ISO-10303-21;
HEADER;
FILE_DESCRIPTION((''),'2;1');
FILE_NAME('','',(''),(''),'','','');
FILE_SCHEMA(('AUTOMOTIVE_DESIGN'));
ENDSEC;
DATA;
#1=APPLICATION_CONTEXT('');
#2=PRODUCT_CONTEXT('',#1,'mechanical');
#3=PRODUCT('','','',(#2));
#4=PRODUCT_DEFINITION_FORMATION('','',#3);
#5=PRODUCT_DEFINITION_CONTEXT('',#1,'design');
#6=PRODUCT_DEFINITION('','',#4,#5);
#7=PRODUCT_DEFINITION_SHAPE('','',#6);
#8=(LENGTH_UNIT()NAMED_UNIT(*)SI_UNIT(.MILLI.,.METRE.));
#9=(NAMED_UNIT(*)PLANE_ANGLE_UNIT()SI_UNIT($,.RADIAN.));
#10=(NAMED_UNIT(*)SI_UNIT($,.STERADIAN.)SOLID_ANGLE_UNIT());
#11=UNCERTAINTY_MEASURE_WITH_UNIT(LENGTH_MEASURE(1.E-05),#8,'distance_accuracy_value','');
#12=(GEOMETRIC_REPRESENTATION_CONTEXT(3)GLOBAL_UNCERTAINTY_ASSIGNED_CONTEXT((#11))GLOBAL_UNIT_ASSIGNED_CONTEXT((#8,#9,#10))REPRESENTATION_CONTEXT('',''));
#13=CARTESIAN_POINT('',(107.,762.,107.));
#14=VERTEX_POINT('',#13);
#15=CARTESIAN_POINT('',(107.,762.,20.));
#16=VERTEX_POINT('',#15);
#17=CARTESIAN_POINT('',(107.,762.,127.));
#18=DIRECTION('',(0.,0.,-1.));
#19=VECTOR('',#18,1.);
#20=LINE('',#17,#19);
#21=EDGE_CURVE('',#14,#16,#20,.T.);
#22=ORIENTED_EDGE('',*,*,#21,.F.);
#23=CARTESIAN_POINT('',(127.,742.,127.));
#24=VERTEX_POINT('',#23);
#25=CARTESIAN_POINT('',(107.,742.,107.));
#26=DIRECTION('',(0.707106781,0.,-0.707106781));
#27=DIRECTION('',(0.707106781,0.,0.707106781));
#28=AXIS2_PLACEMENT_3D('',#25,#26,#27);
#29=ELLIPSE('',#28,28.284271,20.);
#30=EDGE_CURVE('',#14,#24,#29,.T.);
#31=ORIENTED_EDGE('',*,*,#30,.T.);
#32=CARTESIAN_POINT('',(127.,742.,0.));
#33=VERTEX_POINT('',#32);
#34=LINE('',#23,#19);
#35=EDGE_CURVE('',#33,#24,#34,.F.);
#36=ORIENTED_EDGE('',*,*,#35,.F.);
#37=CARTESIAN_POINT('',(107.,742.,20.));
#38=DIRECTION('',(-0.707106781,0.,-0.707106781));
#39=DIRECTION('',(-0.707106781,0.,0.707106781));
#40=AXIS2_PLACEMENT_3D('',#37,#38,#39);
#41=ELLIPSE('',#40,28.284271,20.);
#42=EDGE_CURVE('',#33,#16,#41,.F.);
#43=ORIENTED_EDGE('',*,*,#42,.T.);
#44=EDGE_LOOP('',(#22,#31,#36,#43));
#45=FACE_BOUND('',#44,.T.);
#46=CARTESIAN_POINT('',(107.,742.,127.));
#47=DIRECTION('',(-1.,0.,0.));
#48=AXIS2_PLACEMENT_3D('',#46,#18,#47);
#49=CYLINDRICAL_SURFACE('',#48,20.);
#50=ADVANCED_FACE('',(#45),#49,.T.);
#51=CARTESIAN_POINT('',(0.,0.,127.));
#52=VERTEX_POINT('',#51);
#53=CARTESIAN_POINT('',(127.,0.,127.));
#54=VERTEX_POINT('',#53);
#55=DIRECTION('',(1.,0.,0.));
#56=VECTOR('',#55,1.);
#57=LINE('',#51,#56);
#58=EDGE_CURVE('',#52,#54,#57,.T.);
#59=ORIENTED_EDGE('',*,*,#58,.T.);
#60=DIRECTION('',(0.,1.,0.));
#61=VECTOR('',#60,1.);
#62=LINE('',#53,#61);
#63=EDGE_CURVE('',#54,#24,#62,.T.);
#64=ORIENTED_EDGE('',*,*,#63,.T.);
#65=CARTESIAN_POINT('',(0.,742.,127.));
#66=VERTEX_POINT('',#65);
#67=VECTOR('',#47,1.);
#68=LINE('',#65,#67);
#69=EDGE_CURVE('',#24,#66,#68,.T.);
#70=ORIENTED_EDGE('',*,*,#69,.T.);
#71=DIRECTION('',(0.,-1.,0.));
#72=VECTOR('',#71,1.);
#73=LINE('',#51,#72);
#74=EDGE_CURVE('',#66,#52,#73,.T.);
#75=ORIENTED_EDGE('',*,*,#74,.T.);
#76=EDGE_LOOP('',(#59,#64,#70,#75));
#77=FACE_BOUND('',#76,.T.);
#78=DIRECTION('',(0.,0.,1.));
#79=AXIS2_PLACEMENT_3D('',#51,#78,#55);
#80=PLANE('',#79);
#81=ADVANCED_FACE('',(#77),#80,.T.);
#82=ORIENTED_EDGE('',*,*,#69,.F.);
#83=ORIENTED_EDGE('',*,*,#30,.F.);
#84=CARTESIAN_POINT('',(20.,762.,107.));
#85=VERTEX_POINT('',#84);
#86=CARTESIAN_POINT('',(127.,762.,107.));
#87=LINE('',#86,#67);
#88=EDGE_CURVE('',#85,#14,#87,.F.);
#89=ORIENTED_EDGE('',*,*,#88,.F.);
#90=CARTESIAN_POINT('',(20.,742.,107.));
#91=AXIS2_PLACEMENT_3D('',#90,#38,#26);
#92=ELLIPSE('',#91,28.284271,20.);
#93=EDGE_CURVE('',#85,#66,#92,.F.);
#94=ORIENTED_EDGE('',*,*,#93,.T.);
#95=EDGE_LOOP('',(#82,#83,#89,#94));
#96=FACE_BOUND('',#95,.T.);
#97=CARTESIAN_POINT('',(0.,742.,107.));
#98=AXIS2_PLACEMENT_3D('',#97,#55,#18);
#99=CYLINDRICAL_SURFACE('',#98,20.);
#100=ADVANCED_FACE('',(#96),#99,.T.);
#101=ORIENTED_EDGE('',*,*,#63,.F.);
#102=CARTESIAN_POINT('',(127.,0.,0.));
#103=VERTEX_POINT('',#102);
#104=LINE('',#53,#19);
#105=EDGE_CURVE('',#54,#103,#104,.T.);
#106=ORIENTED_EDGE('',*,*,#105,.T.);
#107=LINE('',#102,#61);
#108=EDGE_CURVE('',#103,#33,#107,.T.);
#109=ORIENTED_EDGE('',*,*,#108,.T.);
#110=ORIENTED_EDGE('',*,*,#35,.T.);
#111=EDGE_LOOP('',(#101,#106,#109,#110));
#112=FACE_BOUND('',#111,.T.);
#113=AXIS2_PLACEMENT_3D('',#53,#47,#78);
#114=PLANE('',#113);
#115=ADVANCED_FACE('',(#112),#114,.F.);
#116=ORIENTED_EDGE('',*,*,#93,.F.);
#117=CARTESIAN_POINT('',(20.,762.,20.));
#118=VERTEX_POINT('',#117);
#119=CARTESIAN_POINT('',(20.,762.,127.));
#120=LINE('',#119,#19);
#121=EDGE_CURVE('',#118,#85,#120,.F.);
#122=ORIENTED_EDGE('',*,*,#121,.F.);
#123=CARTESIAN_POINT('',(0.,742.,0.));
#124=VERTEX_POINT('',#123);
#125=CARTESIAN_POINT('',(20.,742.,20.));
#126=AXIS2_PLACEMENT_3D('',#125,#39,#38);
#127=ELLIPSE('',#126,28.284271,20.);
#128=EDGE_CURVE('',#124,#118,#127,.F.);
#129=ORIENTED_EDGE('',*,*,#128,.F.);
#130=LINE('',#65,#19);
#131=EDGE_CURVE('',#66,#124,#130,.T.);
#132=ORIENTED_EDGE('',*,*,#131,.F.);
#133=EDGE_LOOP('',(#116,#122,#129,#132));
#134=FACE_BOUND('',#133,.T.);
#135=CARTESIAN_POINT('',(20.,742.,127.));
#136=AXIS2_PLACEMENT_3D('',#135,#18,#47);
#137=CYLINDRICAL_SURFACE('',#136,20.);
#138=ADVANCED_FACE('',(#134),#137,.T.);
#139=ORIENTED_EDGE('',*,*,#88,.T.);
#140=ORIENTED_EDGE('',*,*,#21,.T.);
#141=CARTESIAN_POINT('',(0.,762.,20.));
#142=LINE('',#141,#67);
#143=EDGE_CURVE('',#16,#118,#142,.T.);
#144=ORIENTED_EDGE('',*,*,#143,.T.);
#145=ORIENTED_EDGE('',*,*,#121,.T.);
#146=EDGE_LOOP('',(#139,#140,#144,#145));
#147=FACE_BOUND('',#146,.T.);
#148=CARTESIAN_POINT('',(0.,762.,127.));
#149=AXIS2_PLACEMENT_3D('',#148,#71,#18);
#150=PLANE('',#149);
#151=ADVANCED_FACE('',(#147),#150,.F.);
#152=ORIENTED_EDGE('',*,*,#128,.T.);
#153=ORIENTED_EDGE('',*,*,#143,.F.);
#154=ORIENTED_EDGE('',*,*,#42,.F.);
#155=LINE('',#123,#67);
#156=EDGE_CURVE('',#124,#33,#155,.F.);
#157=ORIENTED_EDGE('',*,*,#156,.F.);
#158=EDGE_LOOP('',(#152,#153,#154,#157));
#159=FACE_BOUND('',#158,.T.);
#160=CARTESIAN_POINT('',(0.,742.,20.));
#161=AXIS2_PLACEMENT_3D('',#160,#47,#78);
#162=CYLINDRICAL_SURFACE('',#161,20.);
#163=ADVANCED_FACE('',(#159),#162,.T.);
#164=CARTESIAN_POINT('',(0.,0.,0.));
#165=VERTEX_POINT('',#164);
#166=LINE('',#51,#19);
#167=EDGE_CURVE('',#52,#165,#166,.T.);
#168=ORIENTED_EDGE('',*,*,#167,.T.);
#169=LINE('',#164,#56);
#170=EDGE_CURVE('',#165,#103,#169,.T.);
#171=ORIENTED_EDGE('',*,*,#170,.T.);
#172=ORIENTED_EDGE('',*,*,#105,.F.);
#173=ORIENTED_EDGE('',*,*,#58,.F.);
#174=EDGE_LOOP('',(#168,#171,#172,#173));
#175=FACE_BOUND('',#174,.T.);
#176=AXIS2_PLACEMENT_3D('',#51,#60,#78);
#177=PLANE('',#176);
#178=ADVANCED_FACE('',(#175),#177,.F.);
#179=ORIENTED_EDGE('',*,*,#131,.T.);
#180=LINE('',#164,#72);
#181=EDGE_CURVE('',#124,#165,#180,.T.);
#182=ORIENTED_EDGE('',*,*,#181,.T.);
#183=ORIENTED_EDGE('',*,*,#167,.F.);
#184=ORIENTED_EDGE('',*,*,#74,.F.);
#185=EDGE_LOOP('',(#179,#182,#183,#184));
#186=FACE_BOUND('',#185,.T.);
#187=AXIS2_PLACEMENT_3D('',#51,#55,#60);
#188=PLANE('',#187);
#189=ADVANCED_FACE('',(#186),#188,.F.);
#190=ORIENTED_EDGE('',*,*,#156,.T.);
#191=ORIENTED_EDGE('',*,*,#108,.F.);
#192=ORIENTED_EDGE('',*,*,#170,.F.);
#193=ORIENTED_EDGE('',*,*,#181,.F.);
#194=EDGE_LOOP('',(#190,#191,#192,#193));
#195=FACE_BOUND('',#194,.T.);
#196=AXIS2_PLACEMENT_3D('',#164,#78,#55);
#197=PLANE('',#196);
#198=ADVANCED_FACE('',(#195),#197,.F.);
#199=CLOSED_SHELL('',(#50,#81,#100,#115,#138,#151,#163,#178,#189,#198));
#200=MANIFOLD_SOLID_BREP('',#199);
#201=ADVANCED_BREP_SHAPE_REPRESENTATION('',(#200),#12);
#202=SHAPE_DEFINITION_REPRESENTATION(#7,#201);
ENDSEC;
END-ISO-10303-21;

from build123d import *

# Parameters (mm, degrees)
SKETCH1_W           = 127
SKETCH1_H           = 762
BOSS_EXTRUDE1_DEPTH = 127
FILLET3_R           = 20


with BuildPart() as part:
    # Sketch1 → Boss-Extrude1 (new body)
    with BuildSketch(Plane.XY):
        with Locations((63.5, 381)):
            Rectangle(SKETCH1_W, SKETCH1_H)
    extrude(amount=BOSS_EXTRUDE1_DEPTH)

    # Fillet3
    fillet3_edges = [part.edges().sort_by_distance(p)[0] for p in [
        (63.5, 762, 127),
        (63.5, 762, 0),
        (0, 762, 63.5),
        (127, 762, 63.5),
    ]]
    fillet(fillet3_edges, radius=FILLET3_R)


solid = part.part
